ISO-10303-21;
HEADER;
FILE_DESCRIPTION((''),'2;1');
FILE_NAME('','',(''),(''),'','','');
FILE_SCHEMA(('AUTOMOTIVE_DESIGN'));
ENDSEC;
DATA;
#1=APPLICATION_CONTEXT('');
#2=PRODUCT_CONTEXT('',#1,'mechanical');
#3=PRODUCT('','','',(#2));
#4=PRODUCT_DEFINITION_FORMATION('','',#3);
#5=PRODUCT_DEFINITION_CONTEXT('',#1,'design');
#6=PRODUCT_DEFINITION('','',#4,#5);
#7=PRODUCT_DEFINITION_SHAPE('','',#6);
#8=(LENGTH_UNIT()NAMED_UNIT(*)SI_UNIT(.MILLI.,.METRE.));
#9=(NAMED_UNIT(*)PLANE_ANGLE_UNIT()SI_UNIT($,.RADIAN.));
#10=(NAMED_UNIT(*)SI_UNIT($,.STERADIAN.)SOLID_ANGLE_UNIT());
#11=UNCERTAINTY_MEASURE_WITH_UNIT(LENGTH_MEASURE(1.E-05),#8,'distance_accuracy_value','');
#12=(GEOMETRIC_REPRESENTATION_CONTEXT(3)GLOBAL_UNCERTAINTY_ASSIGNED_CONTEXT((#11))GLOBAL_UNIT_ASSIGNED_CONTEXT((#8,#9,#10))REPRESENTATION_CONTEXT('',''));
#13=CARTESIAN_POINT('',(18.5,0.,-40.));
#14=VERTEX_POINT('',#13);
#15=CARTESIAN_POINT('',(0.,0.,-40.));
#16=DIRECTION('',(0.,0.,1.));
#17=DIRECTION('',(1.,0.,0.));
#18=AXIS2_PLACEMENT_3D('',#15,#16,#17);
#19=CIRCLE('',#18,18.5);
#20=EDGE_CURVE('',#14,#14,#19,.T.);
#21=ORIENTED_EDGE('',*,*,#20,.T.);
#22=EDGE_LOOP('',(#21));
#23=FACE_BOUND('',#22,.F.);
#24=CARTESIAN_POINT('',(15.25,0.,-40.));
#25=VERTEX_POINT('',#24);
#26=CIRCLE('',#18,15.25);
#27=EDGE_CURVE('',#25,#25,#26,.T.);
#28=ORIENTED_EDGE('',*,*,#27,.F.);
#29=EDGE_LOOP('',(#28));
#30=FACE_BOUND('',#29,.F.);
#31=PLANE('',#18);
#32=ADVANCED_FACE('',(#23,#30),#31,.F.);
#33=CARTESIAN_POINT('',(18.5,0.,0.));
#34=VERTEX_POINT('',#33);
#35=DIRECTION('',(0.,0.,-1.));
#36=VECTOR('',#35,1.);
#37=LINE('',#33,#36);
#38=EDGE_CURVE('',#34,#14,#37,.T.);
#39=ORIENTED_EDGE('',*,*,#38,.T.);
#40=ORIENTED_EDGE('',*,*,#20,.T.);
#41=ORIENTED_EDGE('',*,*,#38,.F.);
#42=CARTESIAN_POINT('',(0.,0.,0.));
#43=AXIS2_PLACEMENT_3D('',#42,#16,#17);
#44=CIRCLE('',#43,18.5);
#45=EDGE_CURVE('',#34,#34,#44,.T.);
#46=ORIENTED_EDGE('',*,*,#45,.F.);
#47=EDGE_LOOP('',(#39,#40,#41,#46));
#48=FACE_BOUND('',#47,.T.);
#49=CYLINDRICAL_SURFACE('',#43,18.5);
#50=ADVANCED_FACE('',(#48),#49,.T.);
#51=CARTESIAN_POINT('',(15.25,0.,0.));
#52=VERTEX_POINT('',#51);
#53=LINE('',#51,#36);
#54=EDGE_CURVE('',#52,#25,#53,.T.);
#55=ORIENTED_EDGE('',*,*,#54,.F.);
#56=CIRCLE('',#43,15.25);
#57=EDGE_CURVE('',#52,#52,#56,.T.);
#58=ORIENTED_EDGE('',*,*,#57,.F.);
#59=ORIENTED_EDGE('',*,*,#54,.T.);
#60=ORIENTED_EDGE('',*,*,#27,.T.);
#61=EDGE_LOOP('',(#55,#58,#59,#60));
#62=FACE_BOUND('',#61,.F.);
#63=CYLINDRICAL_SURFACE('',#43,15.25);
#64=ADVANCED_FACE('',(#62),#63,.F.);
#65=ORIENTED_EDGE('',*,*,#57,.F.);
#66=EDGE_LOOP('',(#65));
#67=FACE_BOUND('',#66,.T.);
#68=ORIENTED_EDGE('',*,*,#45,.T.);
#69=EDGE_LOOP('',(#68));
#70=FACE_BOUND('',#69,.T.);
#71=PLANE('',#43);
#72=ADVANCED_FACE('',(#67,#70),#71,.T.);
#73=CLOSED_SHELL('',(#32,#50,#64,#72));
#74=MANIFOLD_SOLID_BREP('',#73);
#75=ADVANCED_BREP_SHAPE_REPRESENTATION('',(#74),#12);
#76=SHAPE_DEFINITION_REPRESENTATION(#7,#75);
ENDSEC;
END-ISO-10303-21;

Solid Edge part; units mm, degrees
sketch "Sketch1" plane through (0, 0, 0) normal (0, 0, 1) x (1, 0, 0)
  circle A0 centre (0, 0) radius 18.5
extrude "Protrusion1" add sketch "Sketch1" against normal blind 40
sketch "Sketch2" plane through (0, 0, 0) normal (0, 0, 1) x (1, 0, 0)
  circle A0 centre (0, 0) radius 15.25
extrude "ExtrudedCutout_1" cut sketch "Sketch2" against normal blind 40
